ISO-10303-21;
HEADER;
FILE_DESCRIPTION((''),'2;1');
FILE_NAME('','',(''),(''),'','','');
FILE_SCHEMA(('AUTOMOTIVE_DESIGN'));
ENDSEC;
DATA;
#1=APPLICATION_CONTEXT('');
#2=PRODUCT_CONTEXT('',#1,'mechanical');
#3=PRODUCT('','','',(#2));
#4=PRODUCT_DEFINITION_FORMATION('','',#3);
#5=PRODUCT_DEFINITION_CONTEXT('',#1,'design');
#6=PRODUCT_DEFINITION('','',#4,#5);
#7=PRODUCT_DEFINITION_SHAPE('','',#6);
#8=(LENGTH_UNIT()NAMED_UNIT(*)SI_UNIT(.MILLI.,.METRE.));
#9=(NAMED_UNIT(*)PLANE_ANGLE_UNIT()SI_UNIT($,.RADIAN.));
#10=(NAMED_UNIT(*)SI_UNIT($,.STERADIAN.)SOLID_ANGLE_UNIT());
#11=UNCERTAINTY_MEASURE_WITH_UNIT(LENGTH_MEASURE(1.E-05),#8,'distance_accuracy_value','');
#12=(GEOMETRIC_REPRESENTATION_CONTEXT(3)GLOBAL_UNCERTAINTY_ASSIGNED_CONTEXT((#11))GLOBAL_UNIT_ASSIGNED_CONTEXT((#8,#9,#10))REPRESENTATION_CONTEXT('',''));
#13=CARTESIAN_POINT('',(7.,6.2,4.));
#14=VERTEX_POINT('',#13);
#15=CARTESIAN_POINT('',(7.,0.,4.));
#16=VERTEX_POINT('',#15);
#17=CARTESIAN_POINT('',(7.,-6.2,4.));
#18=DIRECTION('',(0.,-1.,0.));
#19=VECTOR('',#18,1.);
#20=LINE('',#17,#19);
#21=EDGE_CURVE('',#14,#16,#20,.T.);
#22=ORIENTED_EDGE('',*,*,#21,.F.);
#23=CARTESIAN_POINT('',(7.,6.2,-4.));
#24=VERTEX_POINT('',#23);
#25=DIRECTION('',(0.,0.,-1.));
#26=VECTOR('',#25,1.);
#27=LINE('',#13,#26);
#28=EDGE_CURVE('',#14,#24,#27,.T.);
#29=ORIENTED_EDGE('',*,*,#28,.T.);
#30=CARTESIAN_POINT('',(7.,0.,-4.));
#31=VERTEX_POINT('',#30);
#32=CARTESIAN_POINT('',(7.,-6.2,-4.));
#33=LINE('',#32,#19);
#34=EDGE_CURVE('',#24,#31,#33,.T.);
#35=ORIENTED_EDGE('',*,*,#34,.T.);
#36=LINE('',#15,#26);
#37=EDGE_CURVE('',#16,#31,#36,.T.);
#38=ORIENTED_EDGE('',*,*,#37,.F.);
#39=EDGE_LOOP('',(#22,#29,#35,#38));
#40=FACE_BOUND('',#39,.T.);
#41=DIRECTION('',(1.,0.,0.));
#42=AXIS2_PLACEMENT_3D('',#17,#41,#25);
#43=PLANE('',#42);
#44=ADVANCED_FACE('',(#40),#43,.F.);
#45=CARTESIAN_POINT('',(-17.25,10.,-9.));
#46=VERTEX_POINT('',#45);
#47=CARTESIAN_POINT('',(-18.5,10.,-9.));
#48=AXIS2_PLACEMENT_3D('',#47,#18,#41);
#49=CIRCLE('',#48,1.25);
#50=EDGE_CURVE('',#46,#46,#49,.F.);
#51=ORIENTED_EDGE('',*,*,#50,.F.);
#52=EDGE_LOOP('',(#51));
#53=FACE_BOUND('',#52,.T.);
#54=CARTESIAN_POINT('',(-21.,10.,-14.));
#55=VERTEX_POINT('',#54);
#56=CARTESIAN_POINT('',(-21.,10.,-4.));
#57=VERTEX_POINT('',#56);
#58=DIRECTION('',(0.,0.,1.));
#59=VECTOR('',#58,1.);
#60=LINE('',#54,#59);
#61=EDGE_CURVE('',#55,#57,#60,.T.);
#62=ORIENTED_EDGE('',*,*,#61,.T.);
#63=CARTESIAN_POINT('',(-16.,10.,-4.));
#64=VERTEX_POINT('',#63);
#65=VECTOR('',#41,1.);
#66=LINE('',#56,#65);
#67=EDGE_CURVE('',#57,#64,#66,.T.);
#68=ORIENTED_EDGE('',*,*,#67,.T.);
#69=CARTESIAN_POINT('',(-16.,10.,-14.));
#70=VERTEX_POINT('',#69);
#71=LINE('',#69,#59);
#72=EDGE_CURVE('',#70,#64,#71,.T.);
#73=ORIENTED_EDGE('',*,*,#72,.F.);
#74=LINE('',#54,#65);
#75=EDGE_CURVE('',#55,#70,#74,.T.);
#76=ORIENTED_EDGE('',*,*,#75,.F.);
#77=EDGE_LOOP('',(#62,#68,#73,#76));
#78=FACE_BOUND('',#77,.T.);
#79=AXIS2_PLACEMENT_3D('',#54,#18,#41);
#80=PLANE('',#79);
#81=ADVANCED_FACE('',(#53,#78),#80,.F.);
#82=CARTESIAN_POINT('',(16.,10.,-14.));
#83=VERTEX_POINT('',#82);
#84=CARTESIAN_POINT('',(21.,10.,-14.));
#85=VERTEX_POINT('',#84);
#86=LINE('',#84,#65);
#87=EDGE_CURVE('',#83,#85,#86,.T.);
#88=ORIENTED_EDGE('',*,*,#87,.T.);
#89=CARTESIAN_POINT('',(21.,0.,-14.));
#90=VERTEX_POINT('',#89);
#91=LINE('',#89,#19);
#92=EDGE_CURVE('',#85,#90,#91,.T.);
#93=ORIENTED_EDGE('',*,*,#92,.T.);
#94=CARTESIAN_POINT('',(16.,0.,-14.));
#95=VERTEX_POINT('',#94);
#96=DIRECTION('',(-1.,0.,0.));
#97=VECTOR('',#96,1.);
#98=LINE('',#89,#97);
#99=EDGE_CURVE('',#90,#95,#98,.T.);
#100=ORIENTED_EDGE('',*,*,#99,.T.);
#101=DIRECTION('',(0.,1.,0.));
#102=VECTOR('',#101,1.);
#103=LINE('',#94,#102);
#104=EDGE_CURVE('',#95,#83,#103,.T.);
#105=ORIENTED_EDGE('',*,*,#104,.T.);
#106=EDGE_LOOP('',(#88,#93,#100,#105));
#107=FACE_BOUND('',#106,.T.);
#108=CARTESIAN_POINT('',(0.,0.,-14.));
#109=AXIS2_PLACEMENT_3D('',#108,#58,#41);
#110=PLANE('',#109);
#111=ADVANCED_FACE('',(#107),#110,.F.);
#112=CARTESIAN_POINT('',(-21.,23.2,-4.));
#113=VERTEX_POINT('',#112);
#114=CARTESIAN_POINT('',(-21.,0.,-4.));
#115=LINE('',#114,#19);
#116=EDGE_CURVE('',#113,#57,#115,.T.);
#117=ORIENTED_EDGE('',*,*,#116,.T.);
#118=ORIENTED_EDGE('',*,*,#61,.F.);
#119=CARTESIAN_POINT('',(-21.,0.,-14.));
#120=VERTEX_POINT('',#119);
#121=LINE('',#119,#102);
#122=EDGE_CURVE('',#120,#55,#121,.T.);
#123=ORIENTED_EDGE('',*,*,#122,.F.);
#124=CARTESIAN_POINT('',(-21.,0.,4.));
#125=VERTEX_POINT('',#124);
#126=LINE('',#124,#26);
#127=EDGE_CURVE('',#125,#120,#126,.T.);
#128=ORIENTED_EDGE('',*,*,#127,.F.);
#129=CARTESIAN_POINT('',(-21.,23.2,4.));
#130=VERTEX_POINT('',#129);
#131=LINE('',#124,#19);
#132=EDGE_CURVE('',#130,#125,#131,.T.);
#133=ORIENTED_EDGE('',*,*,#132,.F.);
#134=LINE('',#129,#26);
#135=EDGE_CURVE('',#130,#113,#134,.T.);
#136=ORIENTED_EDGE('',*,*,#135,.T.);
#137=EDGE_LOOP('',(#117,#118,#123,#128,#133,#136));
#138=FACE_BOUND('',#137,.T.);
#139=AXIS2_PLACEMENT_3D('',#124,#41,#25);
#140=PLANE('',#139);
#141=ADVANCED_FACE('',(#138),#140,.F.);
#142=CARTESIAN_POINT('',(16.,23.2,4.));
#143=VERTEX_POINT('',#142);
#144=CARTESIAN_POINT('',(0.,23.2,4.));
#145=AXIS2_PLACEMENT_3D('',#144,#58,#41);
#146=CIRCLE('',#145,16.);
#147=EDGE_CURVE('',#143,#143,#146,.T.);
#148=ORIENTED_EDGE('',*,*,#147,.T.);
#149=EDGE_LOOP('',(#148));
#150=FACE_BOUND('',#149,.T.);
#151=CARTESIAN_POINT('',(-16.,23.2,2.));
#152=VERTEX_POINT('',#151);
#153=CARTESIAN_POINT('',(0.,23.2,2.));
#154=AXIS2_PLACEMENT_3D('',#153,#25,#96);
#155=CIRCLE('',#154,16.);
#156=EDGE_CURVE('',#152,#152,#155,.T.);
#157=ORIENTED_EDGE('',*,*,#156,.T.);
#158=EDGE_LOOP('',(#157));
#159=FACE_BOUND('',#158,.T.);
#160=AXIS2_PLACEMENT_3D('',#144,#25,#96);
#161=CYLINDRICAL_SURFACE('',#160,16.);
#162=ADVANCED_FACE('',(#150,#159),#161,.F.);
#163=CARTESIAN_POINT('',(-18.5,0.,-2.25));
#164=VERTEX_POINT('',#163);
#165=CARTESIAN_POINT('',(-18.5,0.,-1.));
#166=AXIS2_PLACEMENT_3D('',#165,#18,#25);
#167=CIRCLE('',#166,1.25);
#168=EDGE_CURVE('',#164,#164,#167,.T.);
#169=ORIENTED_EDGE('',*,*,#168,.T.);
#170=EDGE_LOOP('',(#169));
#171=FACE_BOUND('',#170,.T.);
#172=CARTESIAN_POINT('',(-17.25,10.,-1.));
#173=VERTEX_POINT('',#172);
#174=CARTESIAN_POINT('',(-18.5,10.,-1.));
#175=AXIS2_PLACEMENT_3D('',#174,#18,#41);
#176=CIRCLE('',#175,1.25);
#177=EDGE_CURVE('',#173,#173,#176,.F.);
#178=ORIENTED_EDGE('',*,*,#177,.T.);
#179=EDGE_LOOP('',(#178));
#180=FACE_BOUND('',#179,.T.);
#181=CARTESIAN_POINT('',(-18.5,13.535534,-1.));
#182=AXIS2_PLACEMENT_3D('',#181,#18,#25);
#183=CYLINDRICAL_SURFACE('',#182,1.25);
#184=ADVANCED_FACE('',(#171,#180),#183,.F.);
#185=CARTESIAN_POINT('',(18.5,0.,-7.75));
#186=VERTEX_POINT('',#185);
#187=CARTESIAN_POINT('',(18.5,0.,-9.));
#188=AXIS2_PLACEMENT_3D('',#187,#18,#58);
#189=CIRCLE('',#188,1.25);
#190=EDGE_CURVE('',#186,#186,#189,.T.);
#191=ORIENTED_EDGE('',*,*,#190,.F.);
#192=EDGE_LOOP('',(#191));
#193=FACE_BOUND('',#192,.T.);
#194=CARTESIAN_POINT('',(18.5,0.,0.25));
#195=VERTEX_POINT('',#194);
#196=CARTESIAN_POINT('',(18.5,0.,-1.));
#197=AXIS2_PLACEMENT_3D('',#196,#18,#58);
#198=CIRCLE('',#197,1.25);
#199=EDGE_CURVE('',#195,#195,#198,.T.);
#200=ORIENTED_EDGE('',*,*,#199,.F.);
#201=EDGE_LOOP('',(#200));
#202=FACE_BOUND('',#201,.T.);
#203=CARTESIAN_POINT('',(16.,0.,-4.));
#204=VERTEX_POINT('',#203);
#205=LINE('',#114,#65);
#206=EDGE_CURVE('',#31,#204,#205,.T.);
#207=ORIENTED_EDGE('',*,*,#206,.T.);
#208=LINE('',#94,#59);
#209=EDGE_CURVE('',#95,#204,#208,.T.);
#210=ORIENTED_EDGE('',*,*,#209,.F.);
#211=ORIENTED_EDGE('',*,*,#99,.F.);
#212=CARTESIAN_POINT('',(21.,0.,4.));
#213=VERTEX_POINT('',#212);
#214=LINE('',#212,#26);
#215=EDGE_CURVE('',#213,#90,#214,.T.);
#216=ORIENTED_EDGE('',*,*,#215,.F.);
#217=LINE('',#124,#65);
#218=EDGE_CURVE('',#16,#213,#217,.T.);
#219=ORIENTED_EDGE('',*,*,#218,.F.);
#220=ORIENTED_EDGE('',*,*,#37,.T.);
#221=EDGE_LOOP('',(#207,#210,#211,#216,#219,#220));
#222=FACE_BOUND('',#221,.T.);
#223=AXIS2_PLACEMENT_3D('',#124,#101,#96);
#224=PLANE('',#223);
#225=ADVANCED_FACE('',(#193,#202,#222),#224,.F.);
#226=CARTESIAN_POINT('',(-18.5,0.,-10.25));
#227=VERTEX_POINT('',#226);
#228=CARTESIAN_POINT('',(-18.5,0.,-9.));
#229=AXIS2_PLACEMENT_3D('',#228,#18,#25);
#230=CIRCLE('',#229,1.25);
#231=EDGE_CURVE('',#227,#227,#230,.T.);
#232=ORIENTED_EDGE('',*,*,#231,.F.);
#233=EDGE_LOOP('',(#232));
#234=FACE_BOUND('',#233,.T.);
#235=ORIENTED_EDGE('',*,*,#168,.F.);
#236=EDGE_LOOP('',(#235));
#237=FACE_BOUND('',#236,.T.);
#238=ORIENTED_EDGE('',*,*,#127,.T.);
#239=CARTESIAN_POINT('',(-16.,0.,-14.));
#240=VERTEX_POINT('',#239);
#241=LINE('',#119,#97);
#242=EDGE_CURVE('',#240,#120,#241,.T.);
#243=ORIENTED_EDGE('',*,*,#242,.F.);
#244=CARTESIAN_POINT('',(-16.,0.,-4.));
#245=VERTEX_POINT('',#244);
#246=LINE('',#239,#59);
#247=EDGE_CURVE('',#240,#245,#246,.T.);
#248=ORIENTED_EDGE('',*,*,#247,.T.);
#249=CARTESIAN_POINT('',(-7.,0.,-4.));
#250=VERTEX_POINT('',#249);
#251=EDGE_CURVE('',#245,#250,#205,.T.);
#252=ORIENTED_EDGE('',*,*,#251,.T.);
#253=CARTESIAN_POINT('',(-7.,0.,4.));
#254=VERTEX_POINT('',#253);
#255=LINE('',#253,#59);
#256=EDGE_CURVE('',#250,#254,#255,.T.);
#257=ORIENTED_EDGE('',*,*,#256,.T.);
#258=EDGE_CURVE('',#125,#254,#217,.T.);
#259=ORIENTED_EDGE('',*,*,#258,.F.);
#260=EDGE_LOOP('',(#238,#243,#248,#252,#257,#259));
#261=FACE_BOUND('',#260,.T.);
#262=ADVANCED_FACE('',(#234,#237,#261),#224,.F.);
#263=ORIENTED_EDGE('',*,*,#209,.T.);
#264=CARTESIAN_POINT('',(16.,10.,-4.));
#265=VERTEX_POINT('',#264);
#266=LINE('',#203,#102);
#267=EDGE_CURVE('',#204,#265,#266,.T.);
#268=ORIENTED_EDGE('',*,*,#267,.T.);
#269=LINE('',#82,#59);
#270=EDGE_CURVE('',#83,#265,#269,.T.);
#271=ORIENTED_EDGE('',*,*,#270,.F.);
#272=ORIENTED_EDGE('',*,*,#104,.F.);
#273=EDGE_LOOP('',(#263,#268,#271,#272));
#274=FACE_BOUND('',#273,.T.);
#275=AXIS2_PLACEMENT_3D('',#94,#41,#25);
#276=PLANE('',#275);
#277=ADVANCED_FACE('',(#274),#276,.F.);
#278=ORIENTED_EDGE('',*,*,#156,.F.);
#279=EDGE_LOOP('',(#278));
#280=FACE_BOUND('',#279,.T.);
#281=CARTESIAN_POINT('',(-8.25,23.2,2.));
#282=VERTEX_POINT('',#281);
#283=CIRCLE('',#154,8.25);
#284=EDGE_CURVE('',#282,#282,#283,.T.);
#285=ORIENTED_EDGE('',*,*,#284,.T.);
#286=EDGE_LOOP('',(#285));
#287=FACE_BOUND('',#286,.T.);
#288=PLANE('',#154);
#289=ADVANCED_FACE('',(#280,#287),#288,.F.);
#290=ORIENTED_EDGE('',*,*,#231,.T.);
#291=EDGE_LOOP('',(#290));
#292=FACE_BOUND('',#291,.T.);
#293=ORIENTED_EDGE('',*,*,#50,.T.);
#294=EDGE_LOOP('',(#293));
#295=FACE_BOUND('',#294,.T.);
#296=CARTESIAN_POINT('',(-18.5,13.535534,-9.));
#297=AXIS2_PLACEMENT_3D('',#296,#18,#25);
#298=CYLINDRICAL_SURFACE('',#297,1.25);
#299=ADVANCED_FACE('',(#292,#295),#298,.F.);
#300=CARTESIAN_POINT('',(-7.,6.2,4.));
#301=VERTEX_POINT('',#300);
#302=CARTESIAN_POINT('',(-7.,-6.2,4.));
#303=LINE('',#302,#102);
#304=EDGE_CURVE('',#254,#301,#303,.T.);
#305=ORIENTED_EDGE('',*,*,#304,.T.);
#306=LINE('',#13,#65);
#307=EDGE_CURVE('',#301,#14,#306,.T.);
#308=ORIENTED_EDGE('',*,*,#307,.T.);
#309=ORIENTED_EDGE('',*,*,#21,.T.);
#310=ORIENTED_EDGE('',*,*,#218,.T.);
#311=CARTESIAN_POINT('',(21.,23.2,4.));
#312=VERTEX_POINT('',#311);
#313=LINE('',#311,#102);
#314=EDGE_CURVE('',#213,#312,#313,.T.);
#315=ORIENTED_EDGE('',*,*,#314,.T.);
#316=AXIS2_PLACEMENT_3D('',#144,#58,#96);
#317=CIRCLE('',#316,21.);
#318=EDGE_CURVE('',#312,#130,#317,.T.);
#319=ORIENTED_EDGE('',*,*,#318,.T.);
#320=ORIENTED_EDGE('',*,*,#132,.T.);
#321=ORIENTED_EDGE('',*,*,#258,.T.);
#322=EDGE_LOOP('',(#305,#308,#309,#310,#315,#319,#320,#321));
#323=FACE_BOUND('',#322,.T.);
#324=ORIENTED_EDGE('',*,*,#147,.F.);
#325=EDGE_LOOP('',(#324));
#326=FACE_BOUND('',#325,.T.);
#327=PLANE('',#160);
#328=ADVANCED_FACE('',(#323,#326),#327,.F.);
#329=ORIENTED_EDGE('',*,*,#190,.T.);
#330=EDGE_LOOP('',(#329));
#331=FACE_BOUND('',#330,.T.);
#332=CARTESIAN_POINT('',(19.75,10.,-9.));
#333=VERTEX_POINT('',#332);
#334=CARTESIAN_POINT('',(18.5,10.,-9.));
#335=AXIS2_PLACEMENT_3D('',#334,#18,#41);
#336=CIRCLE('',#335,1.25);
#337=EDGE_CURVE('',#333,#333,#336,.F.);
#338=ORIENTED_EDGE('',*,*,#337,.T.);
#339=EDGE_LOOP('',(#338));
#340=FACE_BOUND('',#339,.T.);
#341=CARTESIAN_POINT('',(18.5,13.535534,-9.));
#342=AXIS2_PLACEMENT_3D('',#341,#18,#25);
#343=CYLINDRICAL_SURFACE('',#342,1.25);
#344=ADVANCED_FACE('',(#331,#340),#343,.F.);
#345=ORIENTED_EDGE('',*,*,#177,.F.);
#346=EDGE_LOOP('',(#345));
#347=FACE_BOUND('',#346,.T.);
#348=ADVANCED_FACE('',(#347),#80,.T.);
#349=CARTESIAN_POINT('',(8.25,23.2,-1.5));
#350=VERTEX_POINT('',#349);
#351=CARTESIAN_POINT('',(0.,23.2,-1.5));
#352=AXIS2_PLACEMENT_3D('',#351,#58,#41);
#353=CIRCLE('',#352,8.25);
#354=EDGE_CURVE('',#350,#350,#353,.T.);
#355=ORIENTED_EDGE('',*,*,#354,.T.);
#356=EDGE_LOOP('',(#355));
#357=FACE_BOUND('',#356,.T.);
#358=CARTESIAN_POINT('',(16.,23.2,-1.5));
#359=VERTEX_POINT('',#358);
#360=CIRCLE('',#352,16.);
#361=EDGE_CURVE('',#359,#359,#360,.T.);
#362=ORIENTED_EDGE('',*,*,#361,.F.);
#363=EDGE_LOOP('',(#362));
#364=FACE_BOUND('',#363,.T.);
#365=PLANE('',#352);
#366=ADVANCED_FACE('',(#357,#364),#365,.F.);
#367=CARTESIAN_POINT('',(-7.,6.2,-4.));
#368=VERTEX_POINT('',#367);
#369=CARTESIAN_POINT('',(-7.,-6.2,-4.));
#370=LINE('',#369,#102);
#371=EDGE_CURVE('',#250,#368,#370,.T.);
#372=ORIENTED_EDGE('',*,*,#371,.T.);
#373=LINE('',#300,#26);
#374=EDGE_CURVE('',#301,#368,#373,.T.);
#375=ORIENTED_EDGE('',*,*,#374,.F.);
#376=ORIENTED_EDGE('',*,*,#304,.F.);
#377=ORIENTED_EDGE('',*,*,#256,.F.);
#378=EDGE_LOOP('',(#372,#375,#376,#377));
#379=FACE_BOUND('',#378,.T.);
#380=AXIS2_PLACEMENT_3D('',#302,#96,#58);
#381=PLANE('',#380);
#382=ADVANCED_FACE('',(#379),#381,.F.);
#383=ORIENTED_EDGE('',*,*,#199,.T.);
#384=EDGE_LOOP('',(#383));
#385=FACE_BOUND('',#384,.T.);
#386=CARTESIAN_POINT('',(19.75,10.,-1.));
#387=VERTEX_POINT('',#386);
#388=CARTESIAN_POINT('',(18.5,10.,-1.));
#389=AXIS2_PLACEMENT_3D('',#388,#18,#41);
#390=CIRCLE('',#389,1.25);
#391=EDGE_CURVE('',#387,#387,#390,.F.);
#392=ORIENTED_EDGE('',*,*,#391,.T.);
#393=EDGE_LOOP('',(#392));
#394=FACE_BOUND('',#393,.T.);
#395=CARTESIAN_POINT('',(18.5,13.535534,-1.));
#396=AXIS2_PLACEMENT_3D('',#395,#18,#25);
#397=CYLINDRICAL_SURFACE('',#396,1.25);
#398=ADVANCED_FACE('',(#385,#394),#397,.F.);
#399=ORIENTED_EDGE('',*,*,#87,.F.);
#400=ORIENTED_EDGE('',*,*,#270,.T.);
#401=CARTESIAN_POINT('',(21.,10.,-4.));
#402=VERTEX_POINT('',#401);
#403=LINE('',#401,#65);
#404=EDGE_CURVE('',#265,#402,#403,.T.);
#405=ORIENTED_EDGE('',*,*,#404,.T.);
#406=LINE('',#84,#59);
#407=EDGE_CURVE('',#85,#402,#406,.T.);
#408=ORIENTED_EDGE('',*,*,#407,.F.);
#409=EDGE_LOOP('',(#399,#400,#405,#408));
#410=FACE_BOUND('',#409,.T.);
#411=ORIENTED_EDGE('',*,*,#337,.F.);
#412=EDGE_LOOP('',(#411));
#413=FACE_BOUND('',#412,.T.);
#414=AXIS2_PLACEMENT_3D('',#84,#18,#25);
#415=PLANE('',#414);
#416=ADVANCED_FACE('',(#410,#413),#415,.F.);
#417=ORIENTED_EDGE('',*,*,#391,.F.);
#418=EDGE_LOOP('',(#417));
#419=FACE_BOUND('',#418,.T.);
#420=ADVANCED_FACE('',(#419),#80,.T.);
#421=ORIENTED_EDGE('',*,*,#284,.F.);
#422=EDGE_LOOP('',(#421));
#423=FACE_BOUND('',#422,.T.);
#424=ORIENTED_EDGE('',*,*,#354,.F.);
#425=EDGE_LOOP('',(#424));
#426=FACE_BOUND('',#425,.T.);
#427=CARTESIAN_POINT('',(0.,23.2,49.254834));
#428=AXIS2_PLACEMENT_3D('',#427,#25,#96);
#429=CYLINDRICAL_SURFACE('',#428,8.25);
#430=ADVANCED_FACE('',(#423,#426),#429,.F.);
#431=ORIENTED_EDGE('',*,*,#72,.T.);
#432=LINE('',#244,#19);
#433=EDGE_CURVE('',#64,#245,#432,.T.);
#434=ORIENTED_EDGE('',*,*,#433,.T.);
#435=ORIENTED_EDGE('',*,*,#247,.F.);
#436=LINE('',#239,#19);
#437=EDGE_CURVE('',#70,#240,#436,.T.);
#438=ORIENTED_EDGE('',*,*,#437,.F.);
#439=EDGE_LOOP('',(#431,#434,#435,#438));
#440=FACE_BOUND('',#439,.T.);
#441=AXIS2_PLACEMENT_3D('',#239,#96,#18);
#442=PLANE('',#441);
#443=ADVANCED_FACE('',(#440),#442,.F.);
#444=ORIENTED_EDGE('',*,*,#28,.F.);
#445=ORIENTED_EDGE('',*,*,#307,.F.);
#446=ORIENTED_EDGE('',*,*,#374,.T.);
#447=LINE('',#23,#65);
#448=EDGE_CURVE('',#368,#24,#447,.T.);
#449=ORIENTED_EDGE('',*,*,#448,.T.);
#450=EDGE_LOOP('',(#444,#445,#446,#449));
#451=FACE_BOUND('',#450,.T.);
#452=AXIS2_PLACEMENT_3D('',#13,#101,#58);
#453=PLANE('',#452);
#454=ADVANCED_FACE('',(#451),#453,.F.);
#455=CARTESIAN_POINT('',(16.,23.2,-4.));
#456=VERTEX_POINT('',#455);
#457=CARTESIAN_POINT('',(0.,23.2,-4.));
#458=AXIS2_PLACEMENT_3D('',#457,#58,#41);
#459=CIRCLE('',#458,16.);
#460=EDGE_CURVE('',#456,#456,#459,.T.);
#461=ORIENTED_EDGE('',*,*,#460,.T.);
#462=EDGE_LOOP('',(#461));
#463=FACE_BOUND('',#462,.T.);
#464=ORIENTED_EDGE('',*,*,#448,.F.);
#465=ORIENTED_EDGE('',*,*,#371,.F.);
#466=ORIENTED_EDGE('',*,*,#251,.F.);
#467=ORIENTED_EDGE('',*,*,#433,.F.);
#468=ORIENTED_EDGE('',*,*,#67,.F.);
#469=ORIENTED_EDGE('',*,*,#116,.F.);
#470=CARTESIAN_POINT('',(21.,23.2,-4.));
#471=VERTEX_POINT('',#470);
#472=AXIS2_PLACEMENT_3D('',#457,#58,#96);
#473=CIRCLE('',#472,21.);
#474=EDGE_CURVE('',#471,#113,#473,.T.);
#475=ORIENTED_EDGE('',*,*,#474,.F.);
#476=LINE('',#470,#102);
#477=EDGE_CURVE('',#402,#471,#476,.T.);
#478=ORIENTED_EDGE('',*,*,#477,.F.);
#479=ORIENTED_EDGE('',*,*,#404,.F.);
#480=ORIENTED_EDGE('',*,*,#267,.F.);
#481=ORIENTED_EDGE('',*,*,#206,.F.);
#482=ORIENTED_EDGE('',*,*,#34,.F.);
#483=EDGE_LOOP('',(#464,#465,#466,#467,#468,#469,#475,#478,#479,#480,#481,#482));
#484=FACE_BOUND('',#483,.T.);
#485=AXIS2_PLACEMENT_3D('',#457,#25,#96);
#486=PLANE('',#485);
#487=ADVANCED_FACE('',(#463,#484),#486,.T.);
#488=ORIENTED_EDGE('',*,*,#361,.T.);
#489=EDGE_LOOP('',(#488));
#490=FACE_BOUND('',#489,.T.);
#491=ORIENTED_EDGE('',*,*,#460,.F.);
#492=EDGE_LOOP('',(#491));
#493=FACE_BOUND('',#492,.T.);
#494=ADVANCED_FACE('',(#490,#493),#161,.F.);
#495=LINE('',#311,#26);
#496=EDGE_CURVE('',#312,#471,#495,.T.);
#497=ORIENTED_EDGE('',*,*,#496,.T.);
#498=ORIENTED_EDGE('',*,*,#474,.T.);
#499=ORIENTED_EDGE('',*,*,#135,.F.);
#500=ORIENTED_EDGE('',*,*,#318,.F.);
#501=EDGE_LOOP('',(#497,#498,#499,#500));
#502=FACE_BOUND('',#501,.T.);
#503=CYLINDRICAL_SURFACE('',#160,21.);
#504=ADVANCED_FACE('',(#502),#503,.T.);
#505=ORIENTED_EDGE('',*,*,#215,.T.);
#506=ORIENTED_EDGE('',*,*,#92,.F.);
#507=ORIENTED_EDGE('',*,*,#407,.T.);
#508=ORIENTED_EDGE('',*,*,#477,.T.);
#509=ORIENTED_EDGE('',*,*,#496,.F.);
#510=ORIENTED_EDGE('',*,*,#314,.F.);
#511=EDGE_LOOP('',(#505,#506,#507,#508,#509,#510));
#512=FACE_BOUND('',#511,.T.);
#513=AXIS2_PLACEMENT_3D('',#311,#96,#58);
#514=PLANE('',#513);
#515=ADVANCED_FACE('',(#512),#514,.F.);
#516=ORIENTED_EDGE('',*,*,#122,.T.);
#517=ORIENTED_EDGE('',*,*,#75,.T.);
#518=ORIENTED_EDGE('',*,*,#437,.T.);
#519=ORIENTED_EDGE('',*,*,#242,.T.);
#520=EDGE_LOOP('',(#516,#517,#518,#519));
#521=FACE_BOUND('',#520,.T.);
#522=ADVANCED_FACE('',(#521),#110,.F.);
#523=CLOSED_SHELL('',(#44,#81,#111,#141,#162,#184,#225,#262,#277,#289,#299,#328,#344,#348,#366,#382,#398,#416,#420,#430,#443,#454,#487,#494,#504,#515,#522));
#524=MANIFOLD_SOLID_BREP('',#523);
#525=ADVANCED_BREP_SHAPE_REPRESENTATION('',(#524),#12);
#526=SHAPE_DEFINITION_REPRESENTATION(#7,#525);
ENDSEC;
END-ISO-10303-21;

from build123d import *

# Parameters (mm, degrees)
SKETCH2_R                = 16
BOSS_EXTRUDE1_DEPTH      = 4
BOSS_EXTRUDE2_DEPTH      = 2
BOSS_EXTRUDE2_DEPTH_BACK = 1.5
SKETCH3_R                = 16
SKETCH3_R_2              = 8.25
SKETCH6_W                = 5
SKETCH6_H                = 10
BOSS_EXTRUDE4_DEPTH      = 10
SKETCH7_R                = 1.25
CUT_EXTRUDE2_DEPTH       = 10
SKETCH8_W                = 14
SKETCH8_H                = 12.4
CUT_EXTRUDE3_DEPTH       = 50.94637124


with BuildPart() as part:
    # Sketch2 → Boss-Extrude1 (new, symmetric)
    with BuildSketch(Plane.XY):
        with BuildLine():
            Line((-21, 0), (21, 0))
            Line((21, 0), (21, 23.2))
            ThreePointArc((21, 23.2), (0, 44.2), (-21, 23.2))
            Line((-21, 23.2), (-21, 0))
        make_face()
        with Locations((0, 23.2)):
            Circle(SKETCH2_R, mode=Mode.SUBTRACT)
    extrude(amount=BOSS_EXTRUDE1_DEPTH, both=True)

    # Sketch3 → Boss-Extrude2 (add, two sides: drawn at the far end of the back side and taken through both)
    with BuildSketch(Plane.XY.offset(-BOSS_EXTRUDE2_DEPTH_BACK)):
        with Locations(Location((0, 23.2, 0), (0, 0, 180))):
            Circle(SKETCH3_R)
        with Locations(Location((0, 23.2, 0), (0, 0, 180))):
            Circle(SKETCH3_R_2, mode=Mode.SUBTRACT)
    extrude(amount=BOSS_EXTRUDE2_DEPTH + BOSS_EXTRUDE2_DEPTH_BACK)

    # Sketch6 → Boss-Extrude4 (add)
    with BuildSketch(Plane(origin=(0, 0, -4), x_dir=(-1, 0, 0), z_dir=(0, 0, -1))):
        with Locations((-18.5, 5)):
            Rectangle(SKETCH6_W, SKETCH6_H)
        with Locations((18.5, 5)):
            Rectangle(SKETCH6_W, SKETCH6_H)
    extrude(amount=BOSS_EXTRUDE4_DEPTH)

    # Sketch7 → Cut-Extrude2 (cut)
    with BuildSketch(Plane.XZ):
        with Locations(Location((-18.5, -9, 0), (0, 0, 270))):
            Circle(SKETCH7_R)
        with Locations((18.5, -9)):
            Circle(SKETCH7_R)
        with Locations(Location((-18.5, -1, 0), (0, 0, 270))):
            Circle(SKETCH7_R)
        with Locations((18.5, -1)):
            Circle(SKETCH7_R)
    extrude(amount=-CUT_EXTRUDE2_DEPTH, mode=Mode.SUBTRACT)

    # Sketch8 → Cut-Extrude3 (cut, through all)
    with BuildSketch(Plane(origin=(0, 0, -4), x_dir=(-1, 0, 0), z_dir=(0, 0, -1))):
        Rectangle(SKETCH8_W, SKETCH8_H)
    extrude(amount=-CUT_EXTRUDE3_DEPTH, mode=Mode.SUBTRACT)


solid = part.part
